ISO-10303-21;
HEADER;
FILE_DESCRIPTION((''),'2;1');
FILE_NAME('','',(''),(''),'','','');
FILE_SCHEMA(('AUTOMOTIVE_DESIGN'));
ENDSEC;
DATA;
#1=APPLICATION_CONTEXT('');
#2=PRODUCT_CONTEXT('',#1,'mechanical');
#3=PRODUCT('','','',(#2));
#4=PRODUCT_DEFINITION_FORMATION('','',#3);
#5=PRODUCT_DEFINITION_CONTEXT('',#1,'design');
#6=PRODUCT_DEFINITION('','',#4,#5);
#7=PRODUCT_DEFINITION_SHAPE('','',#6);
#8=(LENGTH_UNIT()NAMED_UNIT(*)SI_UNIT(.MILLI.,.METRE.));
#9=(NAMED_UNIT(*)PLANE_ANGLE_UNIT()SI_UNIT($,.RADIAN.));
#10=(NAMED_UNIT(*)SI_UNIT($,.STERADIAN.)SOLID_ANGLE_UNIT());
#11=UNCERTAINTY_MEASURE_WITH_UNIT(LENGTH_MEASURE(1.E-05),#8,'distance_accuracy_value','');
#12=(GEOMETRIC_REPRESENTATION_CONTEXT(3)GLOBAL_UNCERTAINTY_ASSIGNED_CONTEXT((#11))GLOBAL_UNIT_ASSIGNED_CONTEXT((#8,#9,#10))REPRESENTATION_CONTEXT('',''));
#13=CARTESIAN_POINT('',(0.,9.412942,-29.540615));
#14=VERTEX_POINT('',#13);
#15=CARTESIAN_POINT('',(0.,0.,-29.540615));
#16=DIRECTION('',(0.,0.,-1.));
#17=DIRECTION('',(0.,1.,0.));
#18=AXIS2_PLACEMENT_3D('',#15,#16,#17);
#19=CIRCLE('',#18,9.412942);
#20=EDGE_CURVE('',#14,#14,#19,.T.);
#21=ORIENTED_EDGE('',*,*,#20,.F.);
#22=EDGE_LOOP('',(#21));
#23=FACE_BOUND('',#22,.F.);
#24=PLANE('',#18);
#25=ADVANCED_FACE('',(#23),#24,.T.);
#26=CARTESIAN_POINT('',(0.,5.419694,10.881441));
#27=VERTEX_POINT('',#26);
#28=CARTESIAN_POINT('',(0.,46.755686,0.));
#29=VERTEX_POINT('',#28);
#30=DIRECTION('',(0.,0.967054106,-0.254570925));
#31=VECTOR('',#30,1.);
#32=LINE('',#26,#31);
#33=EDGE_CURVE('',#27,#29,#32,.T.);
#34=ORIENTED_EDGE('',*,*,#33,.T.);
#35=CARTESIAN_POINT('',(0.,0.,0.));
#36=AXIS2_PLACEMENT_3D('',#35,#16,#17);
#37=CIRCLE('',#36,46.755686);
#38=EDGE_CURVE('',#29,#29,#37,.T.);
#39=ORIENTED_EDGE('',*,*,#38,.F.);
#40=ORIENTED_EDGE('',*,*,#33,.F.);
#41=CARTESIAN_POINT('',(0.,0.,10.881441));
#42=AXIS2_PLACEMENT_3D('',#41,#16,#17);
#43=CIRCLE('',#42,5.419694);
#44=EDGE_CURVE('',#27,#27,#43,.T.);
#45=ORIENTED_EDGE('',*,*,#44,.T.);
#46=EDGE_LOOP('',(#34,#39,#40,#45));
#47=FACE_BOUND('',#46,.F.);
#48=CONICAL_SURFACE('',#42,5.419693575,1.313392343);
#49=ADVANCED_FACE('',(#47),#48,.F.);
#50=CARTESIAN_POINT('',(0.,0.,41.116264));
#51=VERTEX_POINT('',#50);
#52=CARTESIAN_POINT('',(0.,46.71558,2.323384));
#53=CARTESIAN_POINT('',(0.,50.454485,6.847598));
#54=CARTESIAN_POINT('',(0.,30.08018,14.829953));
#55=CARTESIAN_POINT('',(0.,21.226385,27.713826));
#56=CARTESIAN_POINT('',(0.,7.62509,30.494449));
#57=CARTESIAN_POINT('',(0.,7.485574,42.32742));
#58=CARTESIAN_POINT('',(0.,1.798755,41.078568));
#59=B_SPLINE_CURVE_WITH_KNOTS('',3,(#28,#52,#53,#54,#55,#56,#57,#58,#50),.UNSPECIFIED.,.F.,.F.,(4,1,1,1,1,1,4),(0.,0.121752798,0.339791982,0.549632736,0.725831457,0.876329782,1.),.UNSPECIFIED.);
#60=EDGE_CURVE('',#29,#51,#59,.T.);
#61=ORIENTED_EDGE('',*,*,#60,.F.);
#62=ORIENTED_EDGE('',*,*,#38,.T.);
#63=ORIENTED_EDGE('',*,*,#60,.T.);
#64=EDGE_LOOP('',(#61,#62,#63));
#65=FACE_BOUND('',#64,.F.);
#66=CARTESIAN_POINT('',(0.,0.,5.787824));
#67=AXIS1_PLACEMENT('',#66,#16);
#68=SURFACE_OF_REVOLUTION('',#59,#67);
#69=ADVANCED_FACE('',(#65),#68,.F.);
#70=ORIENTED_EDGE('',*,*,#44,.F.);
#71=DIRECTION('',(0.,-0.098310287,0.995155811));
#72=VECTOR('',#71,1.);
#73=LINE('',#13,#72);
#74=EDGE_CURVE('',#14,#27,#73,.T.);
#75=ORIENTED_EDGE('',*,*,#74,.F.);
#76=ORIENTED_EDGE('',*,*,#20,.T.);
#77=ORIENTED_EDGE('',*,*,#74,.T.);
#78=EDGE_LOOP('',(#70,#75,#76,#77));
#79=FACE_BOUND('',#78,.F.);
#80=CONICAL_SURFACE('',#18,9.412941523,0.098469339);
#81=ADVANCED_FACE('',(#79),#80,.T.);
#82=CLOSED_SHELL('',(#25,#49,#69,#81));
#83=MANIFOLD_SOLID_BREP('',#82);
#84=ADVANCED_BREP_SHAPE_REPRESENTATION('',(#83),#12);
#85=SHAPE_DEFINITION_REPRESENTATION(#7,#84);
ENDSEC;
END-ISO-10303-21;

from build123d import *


with BuildPart() as f1:
    # F0 (on Right) → F1 (revolve)
    with BuildSketch(Plane.YZ):
        with BuildLine():
            Line((0, 41.1162637174), (0, -29.5406151563))
            Line((0, -29.5406151563), (9.4129415229, -29.5406151563))
            Line((9.4129415229, -29.5406151563), (5.4196935745, 10.881440714))
            Line((5.4196935745, 10.881440714), (46.7556864023, 0))
            add(Edge.make_bspline(
                [(46.7556864023, 0), (46.7155797399, 2.3233844605), (50.4544850576, 6.847598193), (30.0801802857, 14.8299527049), (21.2263853375, 27.7138256022), (7.6250903808, 30.4944493686), (7.485573995, 42.3274200027), (1.7987550441, 41.0785676659), (0, 41.1162637174)],
                knots=[0, 0, 0, 0, 0.1217527977, 0.3397919823, 0.5496327355, 0.7258314565, 0.8763297821, 1, 1, 1, 1], degree=3))
        make_face()
    revolve(axis=Axis((0, 0, 5.7878242806), (0, 0, -1)))


solid = f1.part
